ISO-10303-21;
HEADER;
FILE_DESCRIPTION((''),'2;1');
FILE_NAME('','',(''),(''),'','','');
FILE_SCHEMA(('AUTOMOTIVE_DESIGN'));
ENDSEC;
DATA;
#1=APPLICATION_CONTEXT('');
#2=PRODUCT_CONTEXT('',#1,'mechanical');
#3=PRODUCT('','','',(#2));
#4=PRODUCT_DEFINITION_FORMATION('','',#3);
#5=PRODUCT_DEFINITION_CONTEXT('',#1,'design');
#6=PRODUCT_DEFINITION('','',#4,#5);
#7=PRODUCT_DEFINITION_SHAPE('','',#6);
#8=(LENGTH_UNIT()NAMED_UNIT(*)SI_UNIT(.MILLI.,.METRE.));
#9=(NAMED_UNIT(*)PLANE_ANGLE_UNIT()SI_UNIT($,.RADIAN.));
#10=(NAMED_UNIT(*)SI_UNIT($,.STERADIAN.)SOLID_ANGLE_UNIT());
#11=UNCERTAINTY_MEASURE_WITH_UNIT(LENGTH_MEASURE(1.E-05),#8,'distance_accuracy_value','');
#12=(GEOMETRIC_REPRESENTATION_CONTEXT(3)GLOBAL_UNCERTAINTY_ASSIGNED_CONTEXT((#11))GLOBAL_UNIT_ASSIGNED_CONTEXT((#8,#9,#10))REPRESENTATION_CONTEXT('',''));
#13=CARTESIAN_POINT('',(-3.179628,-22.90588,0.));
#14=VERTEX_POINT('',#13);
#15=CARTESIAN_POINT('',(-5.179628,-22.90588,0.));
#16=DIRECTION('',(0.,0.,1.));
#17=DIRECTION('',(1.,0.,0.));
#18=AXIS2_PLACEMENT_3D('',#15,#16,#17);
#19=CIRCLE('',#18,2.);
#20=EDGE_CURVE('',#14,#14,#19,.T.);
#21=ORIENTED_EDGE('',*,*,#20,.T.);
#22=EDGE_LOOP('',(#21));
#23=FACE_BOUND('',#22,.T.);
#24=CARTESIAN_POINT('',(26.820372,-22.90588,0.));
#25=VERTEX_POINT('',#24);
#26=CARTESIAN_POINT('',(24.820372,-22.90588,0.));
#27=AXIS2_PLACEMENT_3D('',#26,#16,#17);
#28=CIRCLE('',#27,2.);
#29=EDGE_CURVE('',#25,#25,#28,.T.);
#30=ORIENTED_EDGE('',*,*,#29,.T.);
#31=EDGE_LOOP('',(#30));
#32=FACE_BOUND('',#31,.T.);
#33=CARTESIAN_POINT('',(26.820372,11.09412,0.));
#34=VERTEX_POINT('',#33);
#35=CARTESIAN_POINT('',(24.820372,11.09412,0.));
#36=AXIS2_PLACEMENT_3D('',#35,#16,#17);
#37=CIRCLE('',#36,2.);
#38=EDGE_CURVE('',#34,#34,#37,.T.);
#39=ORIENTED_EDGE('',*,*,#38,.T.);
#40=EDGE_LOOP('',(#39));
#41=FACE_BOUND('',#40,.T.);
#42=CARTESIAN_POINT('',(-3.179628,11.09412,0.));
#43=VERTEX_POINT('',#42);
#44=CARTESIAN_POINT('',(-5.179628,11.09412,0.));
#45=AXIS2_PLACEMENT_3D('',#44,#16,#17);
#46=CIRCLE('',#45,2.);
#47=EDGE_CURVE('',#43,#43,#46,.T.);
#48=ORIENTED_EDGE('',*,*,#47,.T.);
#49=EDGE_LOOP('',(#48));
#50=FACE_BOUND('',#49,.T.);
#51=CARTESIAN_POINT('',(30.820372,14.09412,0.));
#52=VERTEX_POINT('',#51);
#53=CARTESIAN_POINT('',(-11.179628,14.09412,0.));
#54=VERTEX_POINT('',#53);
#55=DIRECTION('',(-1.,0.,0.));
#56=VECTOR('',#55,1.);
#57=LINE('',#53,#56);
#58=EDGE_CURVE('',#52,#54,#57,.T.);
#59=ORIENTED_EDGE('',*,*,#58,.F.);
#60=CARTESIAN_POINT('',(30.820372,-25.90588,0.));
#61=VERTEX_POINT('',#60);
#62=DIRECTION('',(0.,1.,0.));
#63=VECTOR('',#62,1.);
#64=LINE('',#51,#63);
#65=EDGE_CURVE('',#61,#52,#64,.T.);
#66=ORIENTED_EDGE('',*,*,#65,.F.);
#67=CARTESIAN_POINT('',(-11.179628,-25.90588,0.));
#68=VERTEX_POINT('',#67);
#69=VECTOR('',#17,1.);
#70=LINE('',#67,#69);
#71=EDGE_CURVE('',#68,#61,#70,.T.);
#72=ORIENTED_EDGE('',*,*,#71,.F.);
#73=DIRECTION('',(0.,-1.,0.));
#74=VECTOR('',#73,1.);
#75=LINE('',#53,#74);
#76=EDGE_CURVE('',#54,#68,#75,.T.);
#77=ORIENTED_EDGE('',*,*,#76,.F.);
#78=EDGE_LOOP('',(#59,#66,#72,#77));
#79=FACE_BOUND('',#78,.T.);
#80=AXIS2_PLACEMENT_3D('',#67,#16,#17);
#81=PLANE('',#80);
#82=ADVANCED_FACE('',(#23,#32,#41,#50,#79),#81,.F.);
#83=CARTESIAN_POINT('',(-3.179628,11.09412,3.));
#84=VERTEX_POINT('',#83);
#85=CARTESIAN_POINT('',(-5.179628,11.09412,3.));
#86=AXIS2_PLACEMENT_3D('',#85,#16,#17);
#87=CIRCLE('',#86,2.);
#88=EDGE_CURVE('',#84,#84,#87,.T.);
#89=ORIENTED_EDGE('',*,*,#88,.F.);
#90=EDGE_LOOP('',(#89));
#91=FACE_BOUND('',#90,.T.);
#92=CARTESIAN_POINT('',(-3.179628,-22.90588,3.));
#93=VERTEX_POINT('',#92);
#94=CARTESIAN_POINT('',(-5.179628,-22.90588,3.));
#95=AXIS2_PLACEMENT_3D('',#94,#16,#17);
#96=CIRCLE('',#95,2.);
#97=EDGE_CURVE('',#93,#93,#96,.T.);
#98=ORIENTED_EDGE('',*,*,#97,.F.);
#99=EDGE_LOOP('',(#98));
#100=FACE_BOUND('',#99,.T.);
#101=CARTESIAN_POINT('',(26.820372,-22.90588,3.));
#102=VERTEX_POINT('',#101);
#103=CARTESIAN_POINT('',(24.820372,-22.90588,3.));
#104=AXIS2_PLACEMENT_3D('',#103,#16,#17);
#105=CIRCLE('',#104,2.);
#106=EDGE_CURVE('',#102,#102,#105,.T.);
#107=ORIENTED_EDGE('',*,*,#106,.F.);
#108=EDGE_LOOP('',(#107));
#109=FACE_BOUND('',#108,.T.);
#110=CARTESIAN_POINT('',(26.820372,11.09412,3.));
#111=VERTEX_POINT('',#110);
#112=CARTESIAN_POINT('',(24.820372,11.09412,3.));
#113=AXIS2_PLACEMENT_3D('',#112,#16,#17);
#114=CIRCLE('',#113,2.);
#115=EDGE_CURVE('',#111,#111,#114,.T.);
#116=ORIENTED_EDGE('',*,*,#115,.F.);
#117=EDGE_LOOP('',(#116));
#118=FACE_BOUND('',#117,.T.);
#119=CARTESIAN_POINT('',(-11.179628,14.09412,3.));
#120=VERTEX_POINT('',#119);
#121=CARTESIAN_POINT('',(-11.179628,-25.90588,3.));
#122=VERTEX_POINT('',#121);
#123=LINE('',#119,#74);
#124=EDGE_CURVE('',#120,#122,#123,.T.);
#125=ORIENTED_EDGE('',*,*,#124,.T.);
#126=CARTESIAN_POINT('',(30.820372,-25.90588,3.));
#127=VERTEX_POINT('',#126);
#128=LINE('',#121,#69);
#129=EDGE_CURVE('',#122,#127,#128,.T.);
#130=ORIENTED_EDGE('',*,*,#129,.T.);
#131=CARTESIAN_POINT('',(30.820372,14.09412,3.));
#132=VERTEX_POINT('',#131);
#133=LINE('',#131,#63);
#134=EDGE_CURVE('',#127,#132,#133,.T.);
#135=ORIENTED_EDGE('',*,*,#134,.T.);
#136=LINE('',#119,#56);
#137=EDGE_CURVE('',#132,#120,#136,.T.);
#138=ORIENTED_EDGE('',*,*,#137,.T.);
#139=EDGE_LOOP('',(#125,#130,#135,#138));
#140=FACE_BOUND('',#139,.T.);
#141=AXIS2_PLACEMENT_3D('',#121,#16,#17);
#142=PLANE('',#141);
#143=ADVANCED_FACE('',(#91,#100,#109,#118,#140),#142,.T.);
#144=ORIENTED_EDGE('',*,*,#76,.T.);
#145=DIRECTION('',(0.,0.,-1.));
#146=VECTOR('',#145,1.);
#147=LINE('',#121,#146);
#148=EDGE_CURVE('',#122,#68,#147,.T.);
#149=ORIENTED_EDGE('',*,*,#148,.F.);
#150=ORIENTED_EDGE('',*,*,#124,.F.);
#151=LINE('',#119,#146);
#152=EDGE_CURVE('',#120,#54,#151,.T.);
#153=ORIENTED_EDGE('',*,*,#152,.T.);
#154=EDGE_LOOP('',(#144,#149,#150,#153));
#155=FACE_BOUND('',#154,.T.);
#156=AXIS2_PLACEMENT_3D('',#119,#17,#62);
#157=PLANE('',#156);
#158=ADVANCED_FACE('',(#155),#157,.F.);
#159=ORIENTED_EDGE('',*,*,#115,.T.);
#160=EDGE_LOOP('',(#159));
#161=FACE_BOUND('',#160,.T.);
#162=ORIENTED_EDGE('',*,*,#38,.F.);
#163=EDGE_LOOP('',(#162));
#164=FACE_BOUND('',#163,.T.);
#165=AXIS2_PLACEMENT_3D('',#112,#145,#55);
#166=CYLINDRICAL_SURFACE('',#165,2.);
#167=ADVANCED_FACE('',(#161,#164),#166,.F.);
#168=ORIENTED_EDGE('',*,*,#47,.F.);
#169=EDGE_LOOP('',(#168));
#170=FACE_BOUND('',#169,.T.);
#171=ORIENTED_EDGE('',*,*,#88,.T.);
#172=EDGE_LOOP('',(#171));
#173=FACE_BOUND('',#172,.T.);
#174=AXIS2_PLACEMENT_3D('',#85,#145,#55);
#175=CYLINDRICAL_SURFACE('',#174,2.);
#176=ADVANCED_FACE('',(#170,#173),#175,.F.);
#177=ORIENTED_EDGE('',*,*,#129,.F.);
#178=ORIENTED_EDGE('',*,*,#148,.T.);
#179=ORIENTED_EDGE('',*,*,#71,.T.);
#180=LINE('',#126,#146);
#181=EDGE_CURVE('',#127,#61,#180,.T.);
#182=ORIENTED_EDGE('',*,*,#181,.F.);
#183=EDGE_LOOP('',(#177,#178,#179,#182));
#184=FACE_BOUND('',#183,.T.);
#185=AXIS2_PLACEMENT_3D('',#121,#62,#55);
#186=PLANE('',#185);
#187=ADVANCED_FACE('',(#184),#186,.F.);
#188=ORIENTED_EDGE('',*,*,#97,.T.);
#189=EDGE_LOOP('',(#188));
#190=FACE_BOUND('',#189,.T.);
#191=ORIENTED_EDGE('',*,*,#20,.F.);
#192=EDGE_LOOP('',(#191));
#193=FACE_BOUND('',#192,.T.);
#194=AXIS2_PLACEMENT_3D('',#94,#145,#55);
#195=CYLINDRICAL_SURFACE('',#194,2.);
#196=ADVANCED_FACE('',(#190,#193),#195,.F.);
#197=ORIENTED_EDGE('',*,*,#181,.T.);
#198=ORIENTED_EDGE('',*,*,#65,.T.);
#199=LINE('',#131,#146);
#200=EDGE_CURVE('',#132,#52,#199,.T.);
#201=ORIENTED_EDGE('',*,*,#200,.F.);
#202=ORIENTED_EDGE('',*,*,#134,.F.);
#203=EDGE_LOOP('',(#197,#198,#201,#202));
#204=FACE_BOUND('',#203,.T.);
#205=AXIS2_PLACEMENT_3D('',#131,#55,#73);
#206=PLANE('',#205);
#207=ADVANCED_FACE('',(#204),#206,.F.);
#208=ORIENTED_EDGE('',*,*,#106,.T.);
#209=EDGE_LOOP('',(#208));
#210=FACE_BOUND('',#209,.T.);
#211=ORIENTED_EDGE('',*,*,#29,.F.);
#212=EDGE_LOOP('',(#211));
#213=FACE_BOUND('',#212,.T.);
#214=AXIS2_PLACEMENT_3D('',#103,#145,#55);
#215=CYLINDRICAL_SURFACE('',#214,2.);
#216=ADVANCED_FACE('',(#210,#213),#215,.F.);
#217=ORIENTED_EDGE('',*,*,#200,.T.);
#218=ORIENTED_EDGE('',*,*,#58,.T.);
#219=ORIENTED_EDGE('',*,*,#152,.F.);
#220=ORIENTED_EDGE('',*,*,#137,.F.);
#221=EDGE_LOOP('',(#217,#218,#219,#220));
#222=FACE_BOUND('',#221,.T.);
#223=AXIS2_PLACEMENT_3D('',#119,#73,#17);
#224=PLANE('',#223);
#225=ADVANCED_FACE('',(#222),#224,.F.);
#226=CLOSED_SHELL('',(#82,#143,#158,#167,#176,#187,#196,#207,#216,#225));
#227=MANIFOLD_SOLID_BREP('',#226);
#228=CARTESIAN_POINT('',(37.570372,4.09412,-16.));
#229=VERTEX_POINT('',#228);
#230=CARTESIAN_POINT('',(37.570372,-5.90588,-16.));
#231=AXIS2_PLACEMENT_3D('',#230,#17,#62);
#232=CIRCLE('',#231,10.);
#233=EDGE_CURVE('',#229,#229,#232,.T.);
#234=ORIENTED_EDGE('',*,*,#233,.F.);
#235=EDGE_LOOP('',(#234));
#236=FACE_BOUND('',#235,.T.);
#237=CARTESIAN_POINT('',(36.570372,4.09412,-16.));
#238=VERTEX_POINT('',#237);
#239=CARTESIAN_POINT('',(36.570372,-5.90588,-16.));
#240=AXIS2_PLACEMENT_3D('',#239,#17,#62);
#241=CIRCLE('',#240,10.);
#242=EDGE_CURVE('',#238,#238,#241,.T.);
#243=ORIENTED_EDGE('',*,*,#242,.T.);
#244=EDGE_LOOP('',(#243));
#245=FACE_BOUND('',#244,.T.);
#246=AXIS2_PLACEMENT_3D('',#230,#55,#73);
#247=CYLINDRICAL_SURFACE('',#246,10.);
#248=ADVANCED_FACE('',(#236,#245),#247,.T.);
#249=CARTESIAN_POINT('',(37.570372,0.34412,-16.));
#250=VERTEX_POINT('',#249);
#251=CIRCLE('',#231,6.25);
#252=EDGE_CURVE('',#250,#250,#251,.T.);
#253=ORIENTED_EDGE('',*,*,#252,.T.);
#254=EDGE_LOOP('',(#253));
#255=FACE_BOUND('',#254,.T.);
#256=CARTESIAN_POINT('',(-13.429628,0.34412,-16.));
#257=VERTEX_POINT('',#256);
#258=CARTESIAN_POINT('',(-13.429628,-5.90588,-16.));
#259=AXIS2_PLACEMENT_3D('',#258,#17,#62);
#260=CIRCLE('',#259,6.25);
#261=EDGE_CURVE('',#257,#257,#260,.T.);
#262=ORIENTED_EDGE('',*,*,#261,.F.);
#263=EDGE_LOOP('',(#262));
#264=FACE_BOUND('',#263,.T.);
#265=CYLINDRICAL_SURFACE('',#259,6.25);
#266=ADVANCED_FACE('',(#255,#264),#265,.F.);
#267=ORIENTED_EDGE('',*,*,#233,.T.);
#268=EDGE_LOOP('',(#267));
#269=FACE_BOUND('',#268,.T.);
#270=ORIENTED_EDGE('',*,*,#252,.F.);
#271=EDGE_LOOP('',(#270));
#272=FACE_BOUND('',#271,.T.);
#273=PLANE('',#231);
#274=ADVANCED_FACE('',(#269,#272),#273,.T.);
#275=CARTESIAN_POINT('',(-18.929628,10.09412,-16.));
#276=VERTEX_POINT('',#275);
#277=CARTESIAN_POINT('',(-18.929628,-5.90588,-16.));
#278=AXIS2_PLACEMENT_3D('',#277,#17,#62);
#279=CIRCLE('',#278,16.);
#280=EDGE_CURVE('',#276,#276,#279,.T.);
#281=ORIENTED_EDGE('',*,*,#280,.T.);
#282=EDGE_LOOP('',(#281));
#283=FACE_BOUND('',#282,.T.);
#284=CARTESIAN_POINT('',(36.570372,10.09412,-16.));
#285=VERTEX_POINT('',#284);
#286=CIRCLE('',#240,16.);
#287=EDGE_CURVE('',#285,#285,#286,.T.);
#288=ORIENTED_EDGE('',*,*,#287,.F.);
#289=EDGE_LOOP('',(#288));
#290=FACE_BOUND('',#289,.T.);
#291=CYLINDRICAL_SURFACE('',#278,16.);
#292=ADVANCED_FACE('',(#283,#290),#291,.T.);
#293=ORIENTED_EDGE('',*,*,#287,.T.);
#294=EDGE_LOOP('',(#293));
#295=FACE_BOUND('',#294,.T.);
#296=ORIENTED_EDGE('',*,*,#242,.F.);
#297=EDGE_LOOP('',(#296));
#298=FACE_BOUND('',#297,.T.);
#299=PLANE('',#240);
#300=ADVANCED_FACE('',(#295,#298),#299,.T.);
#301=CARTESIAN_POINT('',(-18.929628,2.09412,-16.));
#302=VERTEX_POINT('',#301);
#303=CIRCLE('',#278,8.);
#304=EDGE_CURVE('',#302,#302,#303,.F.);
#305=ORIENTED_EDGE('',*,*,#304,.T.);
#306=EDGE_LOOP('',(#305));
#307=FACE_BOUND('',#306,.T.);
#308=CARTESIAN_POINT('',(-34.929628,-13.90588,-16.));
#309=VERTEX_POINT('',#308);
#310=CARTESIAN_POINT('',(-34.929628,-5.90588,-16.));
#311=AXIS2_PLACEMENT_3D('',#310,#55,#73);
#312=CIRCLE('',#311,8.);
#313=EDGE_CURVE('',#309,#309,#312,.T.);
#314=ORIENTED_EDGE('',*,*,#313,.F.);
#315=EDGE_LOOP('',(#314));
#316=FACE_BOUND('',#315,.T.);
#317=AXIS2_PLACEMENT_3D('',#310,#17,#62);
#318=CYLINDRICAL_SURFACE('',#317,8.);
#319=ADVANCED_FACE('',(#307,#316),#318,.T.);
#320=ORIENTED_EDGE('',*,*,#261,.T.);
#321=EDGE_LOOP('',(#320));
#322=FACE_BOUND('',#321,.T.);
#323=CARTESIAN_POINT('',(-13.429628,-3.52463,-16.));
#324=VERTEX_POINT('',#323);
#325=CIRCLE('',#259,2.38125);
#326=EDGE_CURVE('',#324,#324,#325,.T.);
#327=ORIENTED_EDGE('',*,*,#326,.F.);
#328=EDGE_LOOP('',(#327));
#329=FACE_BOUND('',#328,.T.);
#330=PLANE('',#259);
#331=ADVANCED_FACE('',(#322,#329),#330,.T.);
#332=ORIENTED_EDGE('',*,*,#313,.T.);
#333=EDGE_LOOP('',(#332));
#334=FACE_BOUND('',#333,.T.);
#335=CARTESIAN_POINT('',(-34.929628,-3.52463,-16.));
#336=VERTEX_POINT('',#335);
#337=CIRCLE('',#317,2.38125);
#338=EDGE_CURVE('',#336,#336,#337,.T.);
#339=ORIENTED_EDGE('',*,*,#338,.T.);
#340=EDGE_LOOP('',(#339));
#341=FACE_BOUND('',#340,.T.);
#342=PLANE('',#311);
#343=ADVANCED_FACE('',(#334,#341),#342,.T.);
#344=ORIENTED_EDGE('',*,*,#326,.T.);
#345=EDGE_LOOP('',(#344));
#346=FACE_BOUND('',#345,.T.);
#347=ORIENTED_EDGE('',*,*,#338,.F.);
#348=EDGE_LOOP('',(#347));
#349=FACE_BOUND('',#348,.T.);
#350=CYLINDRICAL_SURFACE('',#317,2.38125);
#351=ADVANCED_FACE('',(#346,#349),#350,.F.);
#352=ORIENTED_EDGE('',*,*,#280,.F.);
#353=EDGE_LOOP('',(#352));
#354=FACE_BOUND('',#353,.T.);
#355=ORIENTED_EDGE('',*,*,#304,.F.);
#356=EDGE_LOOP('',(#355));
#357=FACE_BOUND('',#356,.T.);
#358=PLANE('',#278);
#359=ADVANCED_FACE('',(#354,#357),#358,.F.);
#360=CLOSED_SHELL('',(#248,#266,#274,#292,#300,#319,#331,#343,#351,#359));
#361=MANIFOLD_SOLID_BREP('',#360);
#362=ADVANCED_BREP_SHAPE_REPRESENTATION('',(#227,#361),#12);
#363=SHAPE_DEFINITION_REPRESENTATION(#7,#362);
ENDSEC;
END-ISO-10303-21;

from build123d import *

# Parameters (mm, degrees)
SKETCH1_W                = 42
SKETCH1_H                = 40
SKETCH1_R                = 2
BOSS_EXTRUDE1_DEPTH      = 3
BOSS_EXTRUDE2_DEPTH      = 27.75
BOSS_EXTRUDE2_DEPTH_BACK = 27.75
SKETCH2_R                = 16
SKETCH3_R                = 8
BOSS_EXTRUDE3_DEPTH      = 16
SKETCH4_R                = 10
BOSS_EXTRUDE4_DEPTH      = 1
SKETCH5_R                = 6.25
CUT_EXTRUDE1_DEPTH       = 51
SKETCH6_R                = 2.38125
CUT_EXTRUDE2_DEPTH       = 66.54475261


with BuildPart() as part:
    # Sketch1 → Boss-Extrude1 (new body)
    with BuildSketch(Plane.XY):
        with Locations((9.820372205, -5.905879539)):
            Rectangle(SKETCH1_W, SKETCH1_H)
        with Locations((-5.179627795, 11.094120461)):
            Circle(SKETCH1_R, mode=Mode.SUBTRACT)
        with Locations((-5.179627795, -22.905879539)):
            Circle(SKETCH1_R, mode=Mode.SUBTRACT)
        with Locations((24.820372205, 11.094120461)):
            Circle(SKETCH1_R, mode=Mode.SUBTRACT)
        with Locations((24.820372205, -22.905879539)):
            Circle(SKETCH1_R, mode=Mode.SUBTRACT)
    extrude(amount=BOSS_EXTRUDE1_DEPTH)


with BuildPart() as body_2:
    # Sketch2 → Boss-Extrude2 (new, two sides: drawn at the far end of the back side and taken through both)
    with BuildSketch(Plane(origin=(8.820372205, 0, 0), x_dir=(0, 0, -1), z_dir=(1, 0, 0)).offset(-BOSS_EXTRUDE2_DEPTH_BACK)):
        with Locations(Location((16, -5.905879539, 0), (0, 0, 90))):
            Circle(SKETCH2_R)
    extrude(amount=BOSS_EXTRUDE2_DEPTH + BOSS_EXTRUDE2_DEPTH_BACK)

    # Sketch3 → Boss-Extrude3 (add)
    with BuildSketch(Plane.ZY.offset(18.929627795)):
        with Locations(Location((-16, -5.905879539, 0), (0, 0, 90))):
            Circle(SKETCH3_R)
    extrude(amount=BOSS_EXTRUDE3_DEPTH)

    # Sketch4 → Boss-Extrude4 (add)
    with BuildSketch(Plane(origin=(36.570372205, 0, 0), x_dir=(0, 0, -1), z_dir=(1, 0, 0))):
        with Locations(Location((16, -5.905879539, 0), (0, 0, 90))):
            Circle(SKETCH4_R)
    extrude(amount=BOSS_EXTRUDE4_DEPTH)

    # Sketch5 → Cut-Extrude1 (cut)
    with BuildSketch(Plane(origin=(37.570372205, 0, 0), x_dir=(0, 0, -1), z_dir=(1, 0, 0))):
        with Locations(Location((16, -5.905879539, 0), (0, 0, 90))):
            Circle(SKETCH5_R)
    extrude(amount=-CUT_EXTRUDE1_DEPTH, mode=Mode.SUBTRACT)

    # Sketch6 → Cut-Extrude2 (cut, through all)
    with BuildSketch(Plane(origin=(-13.429627795, 0, 0), x_dir=(0, 0, -1), z_dir=(1, 0, 0))):
        with Locations(Location((16, -5.905879539, 0), (0, 0, 90))):
            Circle(SKETCH6_R)
    extrude(amount=-CUT_EXTRUDE2_DEPTH, mode=Mode.SUBTRACT)


solid = Compound([part.part, body_2.part])
